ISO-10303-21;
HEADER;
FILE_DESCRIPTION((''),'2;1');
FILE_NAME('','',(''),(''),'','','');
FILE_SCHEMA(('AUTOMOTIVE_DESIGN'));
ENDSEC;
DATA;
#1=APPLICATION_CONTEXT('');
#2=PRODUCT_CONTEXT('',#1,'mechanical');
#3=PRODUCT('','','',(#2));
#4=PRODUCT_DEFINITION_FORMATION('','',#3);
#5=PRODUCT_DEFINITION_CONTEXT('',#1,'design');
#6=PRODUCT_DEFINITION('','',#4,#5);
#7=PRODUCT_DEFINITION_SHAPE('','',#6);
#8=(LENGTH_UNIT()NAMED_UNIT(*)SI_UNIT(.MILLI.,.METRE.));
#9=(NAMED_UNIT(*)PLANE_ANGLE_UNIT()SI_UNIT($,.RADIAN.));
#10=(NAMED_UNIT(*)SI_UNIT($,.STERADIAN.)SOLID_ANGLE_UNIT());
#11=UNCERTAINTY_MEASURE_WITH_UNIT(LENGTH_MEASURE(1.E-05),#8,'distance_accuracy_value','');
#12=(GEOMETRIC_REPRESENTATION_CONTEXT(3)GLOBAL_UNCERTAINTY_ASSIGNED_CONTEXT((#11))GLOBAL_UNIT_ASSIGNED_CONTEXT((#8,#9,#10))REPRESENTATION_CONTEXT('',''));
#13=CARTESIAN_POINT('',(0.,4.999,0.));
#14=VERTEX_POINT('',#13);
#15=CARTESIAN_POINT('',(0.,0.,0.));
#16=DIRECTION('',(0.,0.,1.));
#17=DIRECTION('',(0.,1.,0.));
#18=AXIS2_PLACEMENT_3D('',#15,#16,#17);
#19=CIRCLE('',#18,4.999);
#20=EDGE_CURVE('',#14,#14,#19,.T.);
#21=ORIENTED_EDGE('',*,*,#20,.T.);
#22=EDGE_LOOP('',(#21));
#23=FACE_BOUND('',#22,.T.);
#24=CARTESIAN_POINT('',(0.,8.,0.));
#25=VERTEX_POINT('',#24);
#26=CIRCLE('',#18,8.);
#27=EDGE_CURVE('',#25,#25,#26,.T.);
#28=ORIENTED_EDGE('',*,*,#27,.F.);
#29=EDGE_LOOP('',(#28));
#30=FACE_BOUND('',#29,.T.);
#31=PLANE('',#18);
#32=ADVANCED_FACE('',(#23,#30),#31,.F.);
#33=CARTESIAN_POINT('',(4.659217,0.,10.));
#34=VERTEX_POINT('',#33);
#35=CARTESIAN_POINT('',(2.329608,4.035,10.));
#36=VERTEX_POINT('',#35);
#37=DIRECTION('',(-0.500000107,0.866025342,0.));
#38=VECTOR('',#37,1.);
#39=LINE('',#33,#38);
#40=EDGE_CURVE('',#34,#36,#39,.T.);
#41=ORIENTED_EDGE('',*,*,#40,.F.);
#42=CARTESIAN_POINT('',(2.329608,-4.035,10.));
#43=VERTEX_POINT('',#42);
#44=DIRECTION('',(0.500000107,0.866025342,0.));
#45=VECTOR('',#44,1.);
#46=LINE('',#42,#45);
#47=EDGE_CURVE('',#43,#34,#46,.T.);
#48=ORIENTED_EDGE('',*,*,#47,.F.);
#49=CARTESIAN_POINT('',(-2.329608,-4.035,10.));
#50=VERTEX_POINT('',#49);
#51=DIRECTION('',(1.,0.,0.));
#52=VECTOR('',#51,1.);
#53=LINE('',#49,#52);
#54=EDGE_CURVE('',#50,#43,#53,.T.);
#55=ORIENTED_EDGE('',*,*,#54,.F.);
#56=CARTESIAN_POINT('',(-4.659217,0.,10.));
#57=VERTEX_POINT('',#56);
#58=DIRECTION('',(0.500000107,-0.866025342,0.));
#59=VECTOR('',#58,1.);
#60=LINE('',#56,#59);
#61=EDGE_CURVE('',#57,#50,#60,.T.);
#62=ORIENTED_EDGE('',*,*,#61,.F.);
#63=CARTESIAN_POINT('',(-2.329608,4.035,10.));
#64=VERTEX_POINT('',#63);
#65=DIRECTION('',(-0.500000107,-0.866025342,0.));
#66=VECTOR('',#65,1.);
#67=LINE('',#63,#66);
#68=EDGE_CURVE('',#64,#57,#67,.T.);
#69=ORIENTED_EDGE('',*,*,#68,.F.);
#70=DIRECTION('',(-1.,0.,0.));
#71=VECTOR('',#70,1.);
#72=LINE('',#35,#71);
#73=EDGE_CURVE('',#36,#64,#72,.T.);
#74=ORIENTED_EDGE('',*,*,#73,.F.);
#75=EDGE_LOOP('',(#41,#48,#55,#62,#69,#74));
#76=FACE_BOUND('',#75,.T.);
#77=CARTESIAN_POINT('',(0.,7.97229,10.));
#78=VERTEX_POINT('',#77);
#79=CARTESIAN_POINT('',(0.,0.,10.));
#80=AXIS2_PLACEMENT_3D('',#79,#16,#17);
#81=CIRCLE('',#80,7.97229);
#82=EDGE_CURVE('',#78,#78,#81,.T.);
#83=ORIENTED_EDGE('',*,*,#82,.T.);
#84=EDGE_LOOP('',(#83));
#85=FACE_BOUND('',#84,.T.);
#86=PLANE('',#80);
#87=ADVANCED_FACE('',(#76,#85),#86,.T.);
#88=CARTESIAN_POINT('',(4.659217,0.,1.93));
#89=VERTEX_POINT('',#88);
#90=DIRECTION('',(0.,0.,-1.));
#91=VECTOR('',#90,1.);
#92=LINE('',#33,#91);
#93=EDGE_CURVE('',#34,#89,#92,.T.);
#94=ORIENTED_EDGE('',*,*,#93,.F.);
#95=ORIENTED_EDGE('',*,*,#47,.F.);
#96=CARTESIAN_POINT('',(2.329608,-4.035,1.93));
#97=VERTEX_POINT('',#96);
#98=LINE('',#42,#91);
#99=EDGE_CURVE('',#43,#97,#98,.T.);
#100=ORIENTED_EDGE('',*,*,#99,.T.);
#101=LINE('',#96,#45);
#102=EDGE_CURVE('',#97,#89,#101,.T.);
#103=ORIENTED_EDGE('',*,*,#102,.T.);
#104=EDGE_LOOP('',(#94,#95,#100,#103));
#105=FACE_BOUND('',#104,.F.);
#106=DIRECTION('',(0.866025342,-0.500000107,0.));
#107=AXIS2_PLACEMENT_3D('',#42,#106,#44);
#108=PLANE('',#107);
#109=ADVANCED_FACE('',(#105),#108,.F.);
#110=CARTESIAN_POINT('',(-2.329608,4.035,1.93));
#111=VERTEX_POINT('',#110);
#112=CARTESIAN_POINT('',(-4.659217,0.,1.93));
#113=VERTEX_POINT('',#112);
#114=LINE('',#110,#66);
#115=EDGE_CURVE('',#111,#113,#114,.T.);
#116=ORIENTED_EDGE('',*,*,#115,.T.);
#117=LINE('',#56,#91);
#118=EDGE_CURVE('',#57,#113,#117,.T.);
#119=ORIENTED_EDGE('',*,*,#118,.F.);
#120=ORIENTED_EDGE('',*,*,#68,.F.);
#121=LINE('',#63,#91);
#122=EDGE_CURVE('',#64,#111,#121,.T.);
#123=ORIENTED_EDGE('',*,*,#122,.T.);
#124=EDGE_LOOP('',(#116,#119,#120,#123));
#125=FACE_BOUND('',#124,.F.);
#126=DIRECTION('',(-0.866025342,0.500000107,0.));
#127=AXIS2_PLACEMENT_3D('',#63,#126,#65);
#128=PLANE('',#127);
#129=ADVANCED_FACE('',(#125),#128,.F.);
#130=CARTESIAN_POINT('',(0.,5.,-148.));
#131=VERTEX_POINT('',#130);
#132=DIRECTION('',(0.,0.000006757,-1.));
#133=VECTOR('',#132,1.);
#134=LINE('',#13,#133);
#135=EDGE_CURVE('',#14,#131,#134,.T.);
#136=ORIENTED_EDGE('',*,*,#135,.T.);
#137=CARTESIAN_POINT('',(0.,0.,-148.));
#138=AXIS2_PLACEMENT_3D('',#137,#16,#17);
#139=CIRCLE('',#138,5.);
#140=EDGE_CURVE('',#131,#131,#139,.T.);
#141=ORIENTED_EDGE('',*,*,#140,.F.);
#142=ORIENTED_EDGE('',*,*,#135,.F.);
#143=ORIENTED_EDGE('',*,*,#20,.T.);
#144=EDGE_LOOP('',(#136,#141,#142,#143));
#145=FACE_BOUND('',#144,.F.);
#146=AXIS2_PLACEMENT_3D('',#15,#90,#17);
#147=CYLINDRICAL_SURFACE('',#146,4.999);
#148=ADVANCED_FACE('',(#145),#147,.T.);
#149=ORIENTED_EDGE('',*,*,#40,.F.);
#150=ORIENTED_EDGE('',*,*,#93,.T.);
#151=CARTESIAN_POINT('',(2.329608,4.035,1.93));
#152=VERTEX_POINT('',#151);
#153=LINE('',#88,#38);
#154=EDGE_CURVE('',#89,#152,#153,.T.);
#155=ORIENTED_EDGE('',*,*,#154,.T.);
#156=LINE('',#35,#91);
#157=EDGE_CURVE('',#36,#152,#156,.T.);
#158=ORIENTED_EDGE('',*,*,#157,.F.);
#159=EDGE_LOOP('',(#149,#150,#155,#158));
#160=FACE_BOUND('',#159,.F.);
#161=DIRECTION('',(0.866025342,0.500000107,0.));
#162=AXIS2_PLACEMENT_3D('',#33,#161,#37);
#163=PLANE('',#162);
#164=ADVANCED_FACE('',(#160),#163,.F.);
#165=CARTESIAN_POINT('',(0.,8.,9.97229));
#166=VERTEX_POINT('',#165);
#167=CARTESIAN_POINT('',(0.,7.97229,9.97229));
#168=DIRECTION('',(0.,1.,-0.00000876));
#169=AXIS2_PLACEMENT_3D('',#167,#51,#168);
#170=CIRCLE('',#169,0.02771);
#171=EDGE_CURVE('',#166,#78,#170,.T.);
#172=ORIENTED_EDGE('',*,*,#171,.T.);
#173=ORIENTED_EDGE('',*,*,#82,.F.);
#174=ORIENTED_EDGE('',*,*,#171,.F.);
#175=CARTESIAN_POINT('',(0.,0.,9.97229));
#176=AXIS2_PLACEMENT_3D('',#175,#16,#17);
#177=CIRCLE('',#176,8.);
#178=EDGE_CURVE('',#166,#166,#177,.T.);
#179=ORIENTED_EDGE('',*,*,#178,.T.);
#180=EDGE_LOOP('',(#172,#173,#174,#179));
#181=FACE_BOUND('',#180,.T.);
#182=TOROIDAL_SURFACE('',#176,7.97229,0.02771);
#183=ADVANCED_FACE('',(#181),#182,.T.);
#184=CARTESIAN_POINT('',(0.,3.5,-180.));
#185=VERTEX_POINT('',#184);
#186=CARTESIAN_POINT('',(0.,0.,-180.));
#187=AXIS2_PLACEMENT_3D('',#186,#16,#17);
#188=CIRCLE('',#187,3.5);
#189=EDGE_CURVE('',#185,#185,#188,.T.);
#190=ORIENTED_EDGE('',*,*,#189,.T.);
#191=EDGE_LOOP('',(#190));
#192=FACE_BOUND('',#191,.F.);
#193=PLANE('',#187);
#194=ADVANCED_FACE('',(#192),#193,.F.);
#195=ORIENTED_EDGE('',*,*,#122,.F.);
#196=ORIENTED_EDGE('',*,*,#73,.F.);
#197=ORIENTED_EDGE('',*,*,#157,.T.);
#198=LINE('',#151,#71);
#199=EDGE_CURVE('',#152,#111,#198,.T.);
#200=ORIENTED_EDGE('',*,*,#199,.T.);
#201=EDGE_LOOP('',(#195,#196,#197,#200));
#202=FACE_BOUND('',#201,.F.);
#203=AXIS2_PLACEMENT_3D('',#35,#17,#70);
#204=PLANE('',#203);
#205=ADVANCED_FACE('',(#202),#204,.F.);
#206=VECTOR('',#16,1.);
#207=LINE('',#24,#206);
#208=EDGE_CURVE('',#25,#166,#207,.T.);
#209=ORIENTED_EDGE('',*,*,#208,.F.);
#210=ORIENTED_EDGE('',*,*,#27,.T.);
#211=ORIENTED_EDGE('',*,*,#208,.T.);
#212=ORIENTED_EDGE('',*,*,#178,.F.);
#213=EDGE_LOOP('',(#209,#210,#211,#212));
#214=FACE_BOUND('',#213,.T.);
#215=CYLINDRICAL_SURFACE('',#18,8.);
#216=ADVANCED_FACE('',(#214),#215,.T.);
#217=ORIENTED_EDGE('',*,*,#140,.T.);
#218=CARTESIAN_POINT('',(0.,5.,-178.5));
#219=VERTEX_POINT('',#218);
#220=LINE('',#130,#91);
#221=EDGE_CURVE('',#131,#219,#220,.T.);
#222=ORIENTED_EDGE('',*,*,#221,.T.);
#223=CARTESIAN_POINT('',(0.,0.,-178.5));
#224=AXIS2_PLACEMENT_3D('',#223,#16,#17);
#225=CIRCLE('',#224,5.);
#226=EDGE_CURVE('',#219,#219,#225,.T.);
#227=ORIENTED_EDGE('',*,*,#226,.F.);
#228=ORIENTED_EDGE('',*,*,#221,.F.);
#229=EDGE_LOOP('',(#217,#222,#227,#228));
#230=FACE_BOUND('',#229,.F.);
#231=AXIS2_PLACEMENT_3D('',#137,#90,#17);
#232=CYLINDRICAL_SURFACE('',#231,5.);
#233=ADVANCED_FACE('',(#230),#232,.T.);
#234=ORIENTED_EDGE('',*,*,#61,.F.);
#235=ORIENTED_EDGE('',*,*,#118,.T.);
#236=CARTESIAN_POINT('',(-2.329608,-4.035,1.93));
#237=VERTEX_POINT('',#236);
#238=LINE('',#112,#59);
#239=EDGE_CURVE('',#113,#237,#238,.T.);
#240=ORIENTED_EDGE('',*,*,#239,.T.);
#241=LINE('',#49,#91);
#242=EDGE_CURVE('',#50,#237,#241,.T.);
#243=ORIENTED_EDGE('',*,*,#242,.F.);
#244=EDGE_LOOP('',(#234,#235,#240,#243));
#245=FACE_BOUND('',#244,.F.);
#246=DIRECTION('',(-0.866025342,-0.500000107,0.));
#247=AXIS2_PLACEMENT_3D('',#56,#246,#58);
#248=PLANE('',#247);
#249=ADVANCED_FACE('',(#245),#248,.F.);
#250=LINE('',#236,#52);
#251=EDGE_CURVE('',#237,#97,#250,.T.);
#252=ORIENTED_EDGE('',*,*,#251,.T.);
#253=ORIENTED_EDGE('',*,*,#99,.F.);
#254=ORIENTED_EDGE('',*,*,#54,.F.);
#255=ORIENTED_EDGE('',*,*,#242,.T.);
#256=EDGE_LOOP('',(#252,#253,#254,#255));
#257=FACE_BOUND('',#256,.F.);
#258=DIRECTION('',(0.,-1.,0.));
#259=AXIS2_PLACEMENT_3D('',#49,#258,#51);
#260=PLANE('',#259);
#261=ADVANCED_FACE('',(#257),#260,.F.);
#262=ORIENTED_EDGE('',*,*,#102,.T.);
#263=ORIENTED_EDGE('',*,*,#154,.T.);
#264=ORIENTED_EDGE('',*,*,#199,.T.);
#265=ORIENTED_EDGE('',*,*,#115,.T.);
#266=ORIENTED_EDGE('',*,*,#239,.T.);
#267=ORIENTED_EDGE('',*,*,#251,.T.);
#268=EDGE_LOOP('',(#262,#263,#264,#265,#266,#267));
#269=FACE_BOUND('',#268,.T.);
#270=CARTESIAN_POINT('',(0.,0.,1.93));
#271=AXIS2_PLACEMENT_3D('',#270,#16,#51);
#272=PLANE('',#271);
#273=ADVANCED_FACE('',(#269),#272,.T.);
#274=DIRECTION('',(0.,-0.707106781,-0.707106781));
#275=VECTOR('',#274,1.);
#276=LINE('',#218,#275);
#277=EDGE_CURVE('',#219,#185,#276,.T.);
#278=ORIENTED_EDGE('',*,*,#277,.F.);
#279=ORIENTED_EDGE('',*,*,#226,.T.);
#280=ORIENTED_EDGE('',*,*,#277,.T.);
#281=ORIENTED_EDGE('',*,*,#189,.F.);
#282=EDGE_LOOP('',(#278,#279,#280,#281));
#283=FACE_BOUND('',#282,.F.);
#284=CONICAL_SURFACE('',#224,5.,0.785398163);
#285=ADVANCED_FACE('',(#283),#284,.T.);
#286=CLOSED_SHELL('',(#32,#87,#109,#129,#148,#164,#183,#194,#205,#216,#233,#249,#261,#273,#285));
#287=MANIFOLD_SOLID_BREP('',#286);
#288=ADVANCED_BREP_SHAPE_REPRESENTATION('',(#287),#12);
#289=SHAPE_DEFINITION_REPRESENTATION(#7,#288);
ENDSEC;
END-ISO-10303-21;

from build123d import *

# Parameters (mm, degrees)
POCKET_DEPTH = 8.07


with BuildPart() as part:
    # Sketch → Revolve (revolve)
    with BuildSketch(Plane.YZ):
        with BuildLine():
            Line((4.999, 0), (8, 0))
            Line((8, 0), (8, 9.97229))
            ThreePointArc((8, 9.97229), (7.991884, 9.991884), (7.97229, 10))
            Line((7.97229, 10), (0, 10))
            Line((0, -180), (0, 10))
            Line((3.5, -180), (0, -180))
            Line((5, -178.5), (3.5, -180))
            Line((5, -148), (5, -178.5))
            Line((4.999, 0), (5, -148))
        make_face()
    revolve(axis=Axis((0, 0, 0), (0, 0, 1)))

    # Sketch001 → Pocket (cut)
    with BuildSketch(Plane.XY.offset(10)):
        Polygon((4.659217, 0), (2.329608, 4.035), (-2.329608, 4.035), (-4.659217, 0), (-2.329608, -4.035), (2.329608, -4.035), align=None)
    extrude(amount=-POCKET_DEPTH, mode=Mode.SUBTRACT)


solid = part.part
